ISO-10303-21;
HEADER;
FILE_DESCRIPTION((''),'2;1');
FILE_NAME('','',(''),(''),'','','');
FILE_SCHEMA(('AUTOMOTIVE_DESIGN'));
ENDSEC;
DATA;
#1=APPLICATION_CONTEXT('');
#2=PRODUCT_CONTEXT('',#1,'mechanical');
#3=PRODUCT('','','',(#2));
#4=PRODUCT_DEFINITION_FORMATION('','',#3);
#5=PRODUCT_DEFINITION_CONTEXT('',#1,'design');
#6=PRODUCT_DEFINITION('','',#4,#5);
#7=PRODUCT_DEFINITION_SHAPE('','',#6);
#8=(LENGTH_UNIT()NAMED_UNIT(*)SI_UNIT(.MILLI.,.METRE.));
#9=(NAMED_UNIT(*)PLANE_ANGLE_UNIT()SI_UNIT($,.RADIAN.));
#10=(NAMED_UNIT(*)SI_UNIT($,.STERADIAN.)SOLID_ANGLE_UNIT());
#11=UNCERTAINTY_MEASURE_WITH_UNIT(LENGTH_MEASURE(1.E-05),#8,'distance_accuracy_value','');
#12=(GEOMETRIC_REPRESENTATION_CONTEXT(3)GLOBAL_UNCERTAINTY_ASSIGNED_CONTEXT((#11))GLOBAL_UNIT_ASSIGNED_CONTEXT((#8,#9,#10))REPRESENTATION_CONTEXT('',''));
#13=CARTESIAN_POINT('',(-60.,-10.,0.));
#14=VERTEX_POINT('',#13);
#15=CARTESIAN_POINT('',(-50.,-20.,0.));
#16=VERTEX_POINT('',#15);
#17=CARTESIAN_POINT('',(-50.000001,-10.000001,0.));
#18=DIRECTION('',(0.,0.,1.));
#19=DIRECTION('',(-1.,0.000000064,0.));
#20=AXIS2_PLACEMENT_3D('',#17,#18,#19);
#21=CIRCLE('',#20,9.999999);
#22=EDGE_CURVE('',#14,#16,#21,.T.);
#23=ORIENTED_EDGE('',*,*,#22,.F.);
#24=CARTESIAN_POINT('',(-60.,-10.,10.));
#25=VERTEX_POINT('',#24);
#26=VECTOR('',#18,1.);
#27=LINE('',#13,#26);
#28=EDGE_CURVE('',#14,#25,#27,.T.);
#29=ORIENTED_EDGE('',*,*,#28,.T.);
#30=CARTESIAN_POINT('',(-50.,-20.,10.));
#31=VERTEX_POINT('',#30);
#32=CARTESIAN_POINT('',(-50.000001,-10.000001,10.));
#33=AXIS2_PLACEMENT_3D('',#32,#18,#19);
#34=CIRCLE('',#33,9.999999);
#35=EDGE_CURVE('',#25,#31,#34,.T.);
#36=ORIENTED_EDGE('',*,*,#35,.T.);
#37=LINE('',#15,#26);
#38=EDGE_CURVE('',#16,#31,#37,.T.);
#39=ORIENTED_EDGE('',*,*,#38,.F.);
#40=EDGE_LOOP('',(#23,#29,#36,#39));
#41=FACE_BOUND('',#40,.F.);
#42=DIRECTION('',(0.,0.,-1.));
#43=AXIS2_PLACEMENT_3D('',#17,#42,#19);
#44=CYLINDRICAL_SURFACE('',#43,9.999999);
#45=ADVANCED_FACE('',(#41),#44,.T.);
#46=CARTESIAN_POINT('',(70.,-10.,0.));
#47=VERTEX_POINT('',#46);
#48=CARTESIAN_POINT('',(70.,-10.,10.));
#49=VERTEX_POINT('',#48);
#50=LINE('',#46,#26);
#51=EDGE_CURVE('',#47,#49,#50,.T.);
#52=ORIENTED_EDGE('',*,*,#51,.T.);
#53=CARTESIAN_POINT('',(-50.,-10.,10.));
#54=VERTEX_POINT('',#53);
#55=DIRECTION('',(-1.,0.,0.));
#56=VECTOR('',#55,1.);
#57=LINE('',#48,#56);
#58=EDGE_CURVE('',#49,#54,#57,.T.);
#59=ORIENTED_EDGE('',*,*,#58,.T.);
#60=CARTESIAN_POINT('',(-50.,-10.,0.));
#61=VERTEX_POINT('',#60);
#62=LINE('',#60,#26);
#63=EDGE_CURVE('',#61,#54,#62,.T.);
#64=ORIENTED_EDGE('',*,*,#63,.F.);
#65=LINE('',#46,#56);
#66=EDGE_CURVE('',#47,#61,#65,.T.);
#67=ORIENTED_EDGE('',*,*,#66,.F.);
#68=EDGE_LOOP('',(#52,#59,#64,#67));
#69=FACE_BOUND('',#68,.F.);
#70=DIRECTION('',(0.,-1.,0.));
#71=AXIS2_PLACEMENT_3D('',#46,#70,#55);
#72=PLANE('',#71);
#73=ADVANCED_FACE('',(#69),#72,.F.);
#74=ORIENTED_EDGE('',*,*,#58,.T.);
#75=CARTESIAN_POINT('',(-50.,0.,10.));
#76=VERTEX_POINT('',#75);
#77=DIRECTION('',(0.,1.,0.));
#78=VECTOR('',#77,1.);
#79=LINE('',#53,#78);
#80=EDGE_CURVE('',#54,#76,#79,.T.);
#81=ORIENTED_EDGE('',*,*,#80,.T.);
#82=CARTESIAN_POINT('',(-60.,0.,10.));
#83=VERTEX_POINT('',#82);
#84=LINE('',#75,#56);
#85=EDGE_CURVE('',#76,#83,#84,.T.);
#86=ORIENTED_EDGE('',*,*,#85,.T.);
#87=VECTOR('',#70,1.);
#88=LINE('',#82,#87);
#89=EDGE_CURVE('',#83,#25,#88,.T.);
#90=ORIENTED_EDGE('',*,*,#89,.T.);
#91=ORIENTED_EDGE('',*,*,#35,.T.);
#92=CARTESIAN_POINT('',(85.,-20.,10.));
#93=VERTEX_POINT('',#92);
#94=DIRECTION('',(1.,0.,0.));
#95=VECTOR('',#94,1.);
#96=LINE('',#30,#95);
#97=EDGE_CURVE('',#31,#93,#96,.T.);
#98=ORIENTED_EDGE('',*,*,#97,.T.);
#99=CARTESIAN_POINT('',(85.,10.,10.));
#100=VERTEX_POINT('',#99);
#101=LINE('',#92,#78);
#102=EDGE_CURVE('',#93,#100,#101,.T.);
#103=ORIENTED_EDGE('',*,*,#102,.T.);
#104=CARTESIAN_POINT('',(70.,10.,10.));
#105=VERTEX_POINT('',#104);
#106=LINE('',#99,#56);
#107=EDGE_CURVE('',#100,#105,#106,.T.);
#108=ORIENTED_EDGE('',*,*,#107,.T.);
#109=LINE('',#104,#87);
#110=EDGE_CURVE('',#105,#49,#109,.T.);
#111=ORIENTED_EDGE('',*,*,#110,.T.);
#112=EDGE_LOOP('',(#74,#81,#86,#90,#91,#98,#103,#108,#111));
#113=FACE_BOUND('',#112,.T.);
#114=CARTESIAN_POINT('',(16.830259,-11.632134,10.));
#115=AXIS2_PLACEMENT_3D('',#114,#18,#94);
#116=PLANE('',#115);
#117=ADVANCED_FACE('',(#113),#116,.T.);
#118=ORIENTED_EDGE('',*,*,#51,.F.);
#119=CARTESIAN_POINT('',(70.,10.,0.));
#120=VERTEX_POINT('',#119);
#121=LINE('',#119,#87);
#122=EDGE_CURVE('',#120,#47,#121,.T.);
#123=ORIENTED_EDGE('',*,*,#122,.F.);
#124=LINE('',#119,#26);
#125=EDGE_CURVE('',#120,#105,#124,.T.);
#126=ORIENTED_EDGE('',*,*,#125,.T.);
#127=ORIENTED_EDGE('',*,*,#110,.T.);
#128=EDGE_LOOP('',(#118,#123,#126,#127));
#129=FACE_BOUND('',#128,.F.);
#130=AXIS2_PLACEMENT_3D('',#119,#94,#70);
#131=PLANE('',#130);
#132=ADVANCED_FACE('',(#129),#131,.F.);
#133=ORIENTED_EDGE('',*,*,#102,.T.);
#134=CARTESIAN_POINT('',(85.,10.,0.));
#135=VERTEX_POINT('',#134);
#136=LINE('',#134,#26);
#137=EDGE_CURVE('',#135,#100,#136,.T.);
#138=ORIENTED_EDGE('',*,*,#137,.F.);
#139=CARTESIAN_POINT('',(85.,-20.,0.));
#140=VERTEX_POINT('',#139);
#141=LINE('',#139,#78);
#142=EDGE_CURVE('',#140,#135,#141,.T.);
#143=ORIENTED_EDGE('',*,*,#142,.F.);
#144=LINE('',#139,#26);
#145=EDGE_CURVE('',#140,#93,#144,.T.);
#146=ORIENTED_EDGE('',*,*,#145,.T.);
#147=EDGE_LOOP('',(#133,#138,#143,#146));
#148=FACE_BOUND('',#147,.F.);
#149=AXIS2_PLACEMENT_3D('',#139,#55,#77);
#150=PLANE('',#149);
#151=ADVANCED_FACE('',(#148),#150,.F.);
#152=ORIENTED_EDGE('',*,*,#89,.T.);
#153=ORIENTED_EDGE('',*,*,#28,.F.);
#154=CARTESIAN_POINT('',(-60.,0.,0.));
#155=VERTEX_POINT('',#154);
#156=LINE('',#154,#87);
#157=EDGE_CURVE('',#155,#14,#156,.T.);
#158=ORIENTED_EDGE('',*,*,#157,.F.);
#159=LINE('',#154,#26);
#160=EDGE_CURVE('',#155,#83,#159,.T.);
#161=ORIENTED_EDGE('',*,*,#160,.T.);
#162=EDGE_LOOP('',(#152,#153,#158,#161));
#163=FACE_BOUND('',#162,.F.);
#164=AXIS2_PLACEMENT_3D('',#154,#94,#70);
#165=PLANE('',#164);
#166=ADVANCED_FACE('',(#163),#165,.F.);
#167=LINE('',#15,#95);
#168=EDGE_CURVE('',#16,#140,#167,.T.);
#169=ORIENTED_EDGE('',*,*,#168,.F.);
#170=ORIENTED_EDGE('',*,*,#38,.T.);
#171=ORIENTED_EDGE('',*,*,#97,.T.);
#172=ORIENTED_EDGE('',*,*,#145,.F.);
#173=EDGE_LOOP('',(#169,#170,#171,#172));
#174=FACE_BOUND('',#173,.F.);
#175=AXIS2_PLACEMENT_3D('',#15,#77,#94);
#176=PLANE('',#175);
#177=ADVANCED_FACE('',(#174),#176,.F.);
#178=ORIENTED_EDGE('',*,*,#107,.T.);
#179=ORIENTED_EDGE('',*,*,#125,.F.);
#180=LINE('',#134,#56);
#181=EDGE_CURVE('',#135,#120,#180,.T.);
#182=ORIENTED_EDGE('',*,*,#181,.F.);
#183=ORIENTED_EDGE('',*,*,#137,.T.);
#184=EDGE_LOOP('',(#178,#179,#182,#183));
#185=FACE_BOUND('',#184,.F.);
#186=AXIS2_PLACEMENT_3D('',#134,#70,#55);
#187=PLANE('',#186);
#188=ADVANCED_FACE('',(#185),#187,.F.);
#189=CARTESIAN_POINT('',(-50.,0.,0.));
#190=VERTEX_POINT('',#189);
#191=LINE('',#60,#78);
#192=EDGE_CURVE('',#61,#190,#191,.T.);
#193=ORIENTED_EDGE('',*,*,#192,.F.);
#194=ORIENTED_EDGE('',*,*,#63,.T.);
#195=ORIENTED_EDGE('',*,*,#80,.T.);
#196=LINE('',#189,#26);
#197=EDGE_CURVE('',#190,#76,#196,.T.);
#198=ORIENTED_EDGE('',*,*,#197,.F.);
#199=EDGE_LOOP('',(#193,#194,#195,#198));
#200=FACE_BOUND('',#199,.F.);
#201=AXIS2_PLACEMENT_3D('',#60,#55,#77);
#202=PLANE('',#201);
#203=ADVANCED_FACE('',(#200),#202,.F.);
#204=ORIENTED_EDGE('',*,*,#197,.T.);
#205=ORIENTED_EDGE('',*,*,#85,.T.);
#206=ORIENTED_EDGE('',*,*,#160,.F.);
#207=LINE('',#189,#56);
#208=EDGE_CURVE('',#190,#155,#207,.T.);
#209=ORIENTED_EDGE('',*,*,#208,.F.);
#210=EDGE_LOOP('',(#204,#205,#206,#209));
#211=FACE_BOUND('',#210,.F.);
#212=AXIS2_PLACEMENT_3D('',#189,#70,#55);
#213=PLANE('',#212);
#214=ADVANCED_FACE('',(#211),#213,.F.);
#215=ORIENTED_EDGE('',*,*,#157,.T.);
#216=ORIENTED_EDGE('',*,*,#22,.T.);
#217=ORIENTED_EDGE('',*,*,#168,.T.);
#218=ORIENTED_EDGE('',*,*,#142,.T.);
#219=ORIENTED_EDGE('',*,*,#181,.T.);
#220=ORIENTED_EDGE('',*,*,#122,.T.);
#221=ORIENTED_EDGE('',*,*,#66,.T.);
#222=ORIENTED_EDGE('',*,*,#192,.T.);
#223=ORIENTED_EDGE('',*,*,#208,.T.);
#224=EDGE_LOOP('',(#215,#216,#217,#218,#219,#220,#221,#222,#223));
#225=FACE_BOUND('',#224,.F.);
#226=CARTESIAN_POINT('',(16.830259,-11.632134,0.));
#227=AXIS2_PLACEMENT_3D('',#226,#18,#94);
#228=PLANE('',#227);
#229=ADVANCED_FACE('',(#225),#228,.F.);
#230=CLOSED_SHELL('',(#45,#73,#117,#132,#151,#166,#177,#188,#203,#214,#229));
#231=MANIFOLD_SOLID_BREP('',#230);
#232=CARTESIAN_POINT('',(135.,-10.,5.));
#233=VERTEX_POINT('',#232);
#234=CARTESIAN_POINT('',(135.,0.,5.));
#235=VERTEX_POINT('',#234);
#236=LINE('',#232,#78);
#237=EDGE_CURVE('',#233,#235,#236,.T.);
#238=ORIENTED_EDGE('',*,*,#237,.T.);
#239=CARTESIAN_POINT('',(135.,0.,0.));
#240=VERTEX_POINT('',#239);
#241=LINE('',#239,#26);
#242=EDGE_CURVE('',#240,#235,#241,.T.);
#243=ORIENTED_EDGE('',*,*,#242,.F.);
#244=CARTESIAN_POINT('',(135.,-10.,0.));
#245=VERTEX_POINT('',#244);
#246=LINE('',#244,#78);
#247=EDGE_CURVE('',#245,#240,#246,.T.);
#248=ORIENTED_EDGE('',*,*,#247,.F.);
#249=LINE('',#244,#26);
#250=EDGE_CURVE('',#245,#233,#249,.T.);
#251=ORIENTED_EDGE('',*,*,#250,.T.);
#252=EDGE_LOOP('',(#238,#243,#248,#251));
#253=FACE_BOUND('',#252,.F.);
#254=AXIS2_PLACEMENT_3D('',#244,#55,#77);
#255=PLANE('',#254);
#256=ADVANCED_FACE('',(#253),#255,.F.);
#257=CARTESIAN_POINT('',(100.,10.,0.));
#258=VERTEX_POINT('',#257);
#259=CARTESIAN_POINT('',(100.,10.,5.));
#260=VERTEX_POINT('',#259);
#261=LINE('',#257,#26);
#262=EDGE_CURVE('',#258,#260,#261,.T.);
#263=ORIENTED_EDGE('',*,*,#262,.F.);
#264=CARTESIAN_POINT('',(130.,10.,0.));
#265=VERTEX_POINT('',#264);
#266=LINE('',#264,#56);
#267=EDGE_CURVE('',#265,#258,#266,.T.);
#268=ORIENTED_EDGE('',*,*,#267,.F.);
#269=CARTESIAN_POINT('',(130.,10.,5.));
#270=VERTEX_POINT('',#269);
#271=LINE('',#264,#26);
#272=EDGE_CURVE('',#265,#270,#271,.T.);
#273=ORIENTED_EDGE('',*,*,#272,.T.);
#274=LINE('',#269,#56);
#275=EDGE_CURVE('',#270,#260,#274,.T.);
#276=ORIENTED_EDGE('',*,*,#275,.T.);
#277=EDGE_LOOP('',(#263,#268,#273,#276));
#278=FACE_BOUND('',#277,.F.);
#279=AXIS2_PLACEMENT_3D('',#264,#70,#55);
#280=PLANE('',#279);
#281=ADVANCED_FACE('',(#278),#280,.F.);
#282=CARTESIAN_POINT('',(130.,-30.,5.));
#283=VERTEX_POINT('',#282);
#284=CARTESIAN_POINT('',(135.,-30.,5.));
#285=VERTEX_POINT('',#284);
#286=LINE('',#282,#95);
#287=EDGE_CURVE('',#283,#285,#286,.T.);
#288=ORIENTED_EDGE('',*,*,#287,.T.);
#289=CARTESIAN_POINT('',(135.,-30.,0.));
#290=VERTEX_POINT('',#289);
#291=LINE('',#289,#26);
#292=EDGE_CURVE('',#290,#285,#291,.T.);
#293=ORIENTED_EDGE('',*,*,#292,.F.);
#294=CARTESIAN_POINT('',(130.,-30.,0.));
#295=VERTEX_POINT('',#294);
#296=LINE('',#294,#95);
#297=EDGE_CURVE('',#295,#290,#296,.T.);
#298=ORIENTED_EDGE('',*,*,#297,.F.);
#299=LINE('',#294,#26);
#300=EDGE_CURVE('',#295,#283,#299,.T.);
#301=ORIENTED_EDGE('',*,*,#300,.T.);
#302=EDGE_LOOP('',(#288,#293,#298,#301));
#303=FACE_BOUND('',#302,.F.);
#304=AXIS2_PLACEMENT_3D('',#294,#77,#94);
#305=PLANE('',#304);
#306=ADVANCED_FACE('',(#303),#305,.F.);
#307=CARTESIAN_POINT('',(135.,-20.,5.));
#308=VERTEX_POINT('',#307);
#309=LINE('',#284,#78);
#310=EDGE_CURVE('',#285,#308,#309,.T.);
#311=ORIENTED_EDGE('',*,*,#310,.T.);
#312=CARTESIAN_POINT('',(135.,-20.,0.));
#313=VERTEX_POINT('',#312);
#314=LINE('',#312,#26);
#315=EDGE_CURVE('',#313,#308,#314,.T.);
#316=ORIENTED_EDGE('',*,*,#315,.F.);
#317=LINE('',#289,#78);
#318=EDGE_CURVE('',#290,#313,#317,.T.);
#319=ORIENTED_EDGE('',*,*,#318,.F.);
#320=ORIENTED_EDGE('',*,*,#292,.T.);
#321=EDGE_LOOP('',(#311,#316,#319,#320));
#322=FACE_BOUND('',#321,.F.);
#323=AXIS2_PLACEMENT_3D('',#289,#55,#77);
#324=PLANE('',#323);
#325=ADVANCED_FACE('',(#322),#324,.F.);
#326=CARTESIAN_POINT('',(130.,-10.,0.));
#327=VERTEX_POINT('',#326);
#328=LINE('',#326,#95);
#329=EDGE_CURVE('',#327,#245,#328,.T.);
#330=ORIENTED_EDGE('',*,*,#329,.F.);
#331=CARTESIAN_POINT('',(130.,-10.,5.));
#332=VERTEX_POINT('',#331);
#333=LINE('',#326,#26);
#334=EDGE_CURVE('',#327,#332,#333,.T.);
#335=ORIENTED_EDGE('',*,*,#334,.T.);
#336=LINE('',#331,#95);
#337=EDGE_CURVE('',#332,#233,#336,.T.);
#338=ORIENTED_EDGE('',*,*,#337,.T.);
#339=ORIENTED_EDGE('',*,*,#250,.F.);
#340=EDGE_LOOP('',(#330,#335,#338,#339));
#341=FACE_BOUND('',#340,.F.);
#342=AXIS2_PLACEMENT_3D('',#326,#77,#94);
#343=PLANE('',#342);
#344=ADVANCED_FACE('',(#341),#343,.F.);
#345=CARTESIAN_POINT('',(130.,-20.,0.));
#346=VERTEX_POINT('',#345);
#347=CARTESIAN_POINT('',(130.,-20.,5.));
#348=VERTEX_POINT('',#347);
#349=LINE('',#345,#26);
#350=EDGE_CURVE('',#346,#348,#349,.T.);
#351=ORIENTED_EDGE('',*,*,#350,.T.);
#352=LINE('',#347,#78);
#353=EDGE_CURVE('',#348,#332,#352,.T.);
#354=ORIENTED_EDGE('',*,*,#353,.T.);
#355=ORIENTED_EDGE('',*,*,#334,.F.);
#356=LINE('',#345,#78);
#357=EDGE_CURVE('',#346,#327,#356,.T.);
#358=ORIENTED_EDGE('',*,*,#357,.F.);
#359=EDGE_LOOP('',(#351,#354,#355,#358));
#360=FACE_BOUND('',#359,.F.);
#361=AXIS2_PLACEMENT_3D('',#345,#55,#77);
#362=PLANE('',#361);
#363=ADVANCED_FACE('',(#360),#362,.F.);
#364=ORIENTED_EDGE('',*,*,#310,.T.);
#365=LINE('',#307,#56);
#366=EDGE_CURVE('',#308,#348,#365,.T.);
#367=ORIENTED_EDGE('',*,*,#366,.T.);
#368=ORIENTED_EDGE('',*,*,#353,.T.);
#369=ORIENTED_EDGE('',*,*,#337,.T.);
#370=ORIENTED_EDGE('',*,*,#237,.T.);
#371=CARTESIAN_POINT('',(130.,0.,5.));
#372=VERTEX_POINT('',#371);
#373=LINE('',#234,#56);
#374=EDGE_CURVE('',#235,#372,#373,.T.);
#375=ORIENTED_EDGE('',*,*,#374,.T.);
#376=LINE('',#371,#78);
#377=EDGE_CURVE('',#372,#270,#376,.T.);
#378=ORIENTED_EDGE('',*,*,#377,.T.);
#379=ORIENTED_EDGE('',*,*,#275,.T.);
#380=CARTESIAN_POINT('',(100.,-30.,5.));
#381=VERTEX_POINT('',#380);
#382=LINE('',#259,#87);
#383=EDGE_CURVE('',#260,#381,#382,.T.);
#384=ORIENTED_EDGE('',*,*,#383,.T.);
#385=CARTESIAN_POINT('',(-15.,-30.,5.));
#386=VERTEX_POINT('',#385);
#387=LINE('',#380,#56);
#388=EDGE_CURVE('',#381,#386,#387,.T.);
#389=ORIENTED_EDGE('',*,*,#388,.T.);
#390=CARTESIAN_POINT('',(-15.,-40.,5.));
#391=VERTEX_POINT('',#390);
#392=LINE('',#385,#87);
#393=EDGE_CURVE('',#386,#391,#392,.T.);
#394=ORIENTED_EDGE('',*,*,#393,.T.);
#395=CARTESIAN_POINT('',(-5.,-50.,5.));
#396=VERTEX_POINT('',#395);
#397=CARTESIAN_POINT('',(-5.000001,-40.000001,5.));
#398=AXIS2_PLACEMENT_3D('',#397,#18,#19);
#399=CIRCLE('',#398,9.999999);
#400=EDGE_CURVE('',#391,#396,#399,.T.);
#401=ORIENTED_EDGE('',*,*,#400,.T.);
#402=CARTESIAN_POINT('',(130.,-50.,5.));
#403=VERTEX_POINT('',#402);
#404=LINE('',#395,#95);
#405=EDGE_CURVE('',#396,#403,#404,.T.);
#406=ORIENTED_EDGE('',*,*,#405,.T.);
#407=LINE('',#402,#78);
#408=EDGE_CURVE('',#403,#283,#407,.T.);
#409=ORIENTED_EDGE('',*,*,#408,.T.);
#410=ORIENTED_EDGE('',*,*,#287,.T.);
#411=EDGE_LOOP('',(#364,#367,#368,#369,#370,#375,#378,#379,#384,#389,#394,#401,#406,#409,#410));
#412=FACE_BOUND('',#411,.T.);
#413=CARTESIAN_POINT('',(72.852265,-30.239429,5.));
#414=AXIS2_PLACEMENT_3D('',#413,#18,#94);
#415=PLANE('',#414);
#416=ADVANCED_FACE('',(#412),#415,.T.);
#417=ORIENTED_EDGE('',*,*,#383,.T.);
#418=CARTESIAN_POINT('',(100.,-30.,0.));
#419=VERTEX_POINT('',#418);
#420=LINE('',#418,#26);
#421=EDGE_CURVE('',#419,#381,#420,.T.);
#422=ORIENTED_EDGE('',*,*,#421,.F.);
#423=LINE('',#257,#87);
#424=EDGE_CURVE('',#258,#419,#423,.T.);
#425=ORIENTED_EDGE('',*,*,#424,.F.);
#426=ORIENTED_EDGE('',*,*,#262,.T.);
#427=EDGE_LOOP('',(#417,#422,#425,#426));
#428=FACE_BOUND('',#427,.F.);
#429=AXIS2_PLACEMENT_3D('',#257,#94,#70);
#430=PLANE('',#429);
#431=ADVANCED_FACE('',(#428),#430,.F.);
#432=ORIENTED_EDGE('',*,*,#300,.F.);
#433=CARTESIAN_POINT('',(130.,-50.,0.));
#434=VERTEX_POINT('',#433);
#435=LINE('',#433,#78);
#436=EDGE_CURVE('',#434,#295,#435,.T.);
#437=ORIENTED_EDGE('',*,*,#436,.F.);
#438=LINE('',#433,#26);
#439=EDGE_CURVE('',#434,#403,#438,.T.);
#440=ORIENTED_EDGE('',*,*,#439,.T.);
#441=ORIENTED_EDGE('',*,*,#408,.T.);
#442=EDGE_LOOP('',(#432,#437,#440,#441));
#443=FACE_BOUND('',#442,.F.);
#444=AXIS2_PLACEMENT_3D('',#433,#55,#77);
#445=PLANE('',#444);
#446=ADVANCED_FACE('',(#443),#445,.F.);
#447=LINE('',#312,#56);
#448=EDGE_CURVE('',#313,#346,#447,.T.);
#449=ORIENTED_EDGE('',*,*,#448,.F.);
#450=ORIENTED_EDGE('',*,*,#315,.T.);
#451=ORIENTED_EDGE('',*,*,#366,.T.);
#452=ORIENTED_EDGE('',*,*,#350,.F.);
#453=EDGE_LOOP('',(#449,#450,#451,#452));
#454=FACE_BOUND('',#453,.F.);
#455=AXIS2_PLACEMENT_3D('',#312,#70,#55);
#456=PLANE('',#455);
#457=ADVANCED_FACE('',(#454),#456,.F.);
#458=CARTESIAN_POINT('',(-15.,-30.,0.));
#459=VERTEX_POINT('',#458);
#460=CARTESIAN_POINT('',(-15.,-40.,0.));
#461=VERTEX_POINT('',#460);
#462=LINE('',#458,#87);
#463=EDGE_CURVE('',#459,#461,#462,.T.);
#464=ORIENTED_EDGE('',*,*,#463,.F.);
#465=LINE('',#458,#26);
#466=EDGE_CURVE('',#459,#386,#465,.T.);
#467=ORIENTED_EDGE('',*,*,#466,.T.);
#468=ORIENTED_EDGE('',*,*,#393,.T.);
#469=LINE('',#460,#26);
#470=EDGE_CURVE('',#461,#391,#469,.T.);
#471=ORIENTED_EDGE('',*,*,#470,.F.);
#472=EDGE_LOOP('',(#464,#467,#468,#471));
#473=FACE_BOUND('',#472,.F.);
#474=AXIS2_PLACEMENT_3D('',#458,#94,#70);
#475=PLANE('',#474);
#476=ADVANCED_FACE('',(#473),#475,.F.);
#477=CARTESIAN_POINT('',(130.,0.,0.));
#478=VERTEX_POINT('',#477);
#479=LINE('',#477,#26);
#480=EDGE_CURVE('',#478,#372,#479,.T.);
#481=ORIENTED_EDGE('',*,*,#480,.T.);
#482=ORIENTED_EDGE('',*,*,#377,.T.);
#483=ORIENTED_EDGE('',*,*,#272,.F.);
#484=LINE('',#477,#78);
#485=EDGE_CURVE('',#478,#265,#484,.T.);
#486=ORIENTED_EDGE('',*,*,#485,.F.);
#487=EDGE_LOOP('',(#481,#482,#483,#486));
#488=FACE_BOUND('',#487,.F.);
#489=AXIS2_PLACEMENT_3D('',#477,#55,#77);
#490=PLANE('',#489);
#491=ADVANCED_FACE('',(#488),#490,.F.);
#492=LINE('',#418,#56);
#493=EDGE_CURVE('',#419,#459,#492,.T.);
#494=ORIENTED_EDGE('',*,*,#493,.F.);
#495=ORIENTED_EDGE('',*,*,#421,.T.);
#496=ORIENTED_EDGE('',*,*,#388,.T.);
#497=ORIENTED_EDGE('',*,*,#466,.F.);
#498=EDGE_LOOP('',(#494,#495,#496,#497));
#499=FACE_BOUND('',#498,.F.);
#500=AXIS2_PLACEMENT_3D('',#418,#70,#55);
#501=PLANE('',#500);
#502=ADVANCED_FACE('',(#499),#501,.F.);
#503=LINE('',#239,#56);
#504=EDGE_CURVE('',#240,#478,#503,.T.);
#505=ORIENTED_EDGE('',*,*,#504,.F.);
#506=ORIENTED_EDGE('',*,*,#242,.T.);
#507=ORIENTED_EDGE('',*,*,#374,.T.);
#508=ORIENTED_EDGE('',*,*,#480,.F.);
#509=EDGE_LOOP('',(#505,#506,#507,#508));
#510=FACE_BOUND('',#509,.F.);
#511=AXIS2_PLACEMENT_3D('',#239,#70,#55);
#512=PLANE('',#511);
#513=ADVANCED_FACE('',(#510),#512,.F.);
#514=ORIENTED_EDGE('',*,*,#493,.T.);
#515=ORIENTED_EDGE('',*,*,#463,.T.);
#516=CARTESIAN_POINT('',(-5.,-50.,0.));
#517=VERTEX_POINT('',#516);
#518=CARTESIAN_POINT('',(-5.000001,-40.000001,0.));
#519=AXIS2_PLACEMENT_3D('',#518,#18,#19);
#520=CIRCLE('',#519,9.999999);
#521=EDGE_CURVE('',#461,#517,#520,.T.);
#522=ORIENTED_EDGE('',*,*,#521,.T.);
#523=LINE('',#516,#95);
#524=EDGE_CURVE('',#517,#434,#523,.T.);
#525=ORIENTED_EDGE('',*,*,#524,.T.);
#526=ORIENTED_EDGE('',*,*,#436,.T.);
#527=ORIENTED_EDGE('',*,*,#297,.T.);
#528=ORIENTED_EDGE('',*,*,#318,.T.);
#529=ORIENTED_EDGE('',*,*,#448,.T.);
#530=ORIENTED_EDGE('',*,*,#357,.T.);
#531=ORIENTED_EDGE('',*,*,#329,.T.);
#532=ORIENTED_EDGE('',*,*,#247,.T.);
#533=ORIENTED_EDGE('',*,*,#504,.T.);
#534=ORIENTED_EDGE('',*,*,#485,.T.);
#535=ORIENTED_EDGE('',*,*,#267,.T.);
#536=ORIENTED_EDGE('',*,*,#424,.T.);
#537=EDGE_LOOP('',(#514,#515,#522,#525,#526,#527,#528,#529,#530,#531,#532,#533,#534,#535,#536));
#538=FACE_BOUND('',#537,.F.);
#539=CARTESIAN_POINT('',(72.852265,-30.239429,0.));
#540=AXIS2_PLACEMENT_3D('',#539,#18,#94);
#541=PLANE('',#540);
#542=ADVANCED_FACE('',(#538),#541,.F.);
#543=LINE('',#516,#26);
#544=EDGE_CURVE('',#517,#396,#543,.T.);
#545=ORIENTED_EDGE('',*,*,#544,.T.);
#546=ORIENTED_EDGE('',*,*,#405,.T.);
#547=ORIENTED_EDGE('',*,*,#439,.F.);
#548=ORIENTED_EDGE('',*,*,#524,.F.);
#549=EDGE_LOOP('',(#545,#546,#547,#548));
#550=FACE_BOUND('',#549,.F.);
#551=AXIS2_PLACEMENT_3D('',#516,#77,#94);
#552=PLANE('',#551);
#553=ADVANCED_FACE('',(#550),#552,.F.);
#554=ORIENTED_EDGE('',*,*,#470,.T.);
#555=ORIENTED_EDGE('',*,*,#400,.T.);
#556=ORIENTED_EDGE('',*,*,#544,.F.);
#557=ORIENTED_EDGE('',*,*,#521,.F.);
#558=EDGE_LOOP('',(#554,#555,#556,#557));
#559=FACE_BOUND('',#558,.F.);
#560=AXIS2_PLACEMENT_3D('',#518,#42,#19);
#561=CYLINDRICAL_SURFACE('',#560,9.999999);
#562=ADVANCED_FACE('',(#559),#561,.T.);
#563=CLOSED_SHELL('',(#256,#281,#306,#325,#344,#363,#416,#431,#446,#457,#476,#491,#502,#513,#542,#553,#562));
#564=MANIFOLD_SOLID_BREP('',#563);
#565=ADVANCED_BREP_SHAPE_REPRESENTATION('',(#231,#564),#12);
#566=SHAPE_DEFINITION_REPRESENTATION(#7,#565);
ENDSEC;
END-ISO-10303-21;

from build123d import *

# Parameters (mm, degrees)
F1_DEPTH = 10
F3_DEPTH = 5


with BuildPart() as f1:
    # F0 (on Top) → F1 (new body)
    with BuildSketch(Plane.XY):
        with BuildLine():
            Line((-50, 0), (-60, 0))
            Line((-60, 0), (-60, -10))
            ThreePointArc((-60, -10), (-57.071068, -17.071068), (-50, -20))
            Line((-50, -20), (70, -20))
            Line((70, -20), (85, -20))
            Line((85, -20), (85, -10))
            Line((85, -10), (85, 10))
            Line((85, 10), (70, 10))
            Line((70, 10), (70, -10))
            Line((70, -10), (-50, -10))
            Line((-50, -10), (-50, 0))
        make_face()
    extrude(amount=F1_DEPTH)


with BuildPart() as f3:
    # F2 (on Top) → F3 (new body)
    with BuildSketch(Plane.XY):
        with BuildLine():
            Line((-5, -30), (-15, -30))
            Line((-15, -30), (-15, -40))
            ThreePointArc((-15, -40), (-12.071068, -47.071068), (-5, -50))
            Line((-5, -50), (115, -50))
            Line((115, -50), (130, -50))
            Line((130, -50), (130, -30))
            Line((130, -30), (135, -30))
            Line((135, -30), (135, -20))
            Line((135, -20), (130, -20))
            Line((130, -20), (130, -10))
            Line((130, -10), (135, -10))
            Line((135, -10), (135, 0))
            Line((135, 0), (130, 0))
            Line((130, 0), (130, 10))
            Line((130, 10), (115, 10))
            Line((115, 10), (100, 10))
            Line((100, 10), (100, -30))
            Line((100, -30), (-5, -30))
        make_face()
    extrude(amount=F3_DEPTH)


solid = Compound([f1.part, f3.part])
